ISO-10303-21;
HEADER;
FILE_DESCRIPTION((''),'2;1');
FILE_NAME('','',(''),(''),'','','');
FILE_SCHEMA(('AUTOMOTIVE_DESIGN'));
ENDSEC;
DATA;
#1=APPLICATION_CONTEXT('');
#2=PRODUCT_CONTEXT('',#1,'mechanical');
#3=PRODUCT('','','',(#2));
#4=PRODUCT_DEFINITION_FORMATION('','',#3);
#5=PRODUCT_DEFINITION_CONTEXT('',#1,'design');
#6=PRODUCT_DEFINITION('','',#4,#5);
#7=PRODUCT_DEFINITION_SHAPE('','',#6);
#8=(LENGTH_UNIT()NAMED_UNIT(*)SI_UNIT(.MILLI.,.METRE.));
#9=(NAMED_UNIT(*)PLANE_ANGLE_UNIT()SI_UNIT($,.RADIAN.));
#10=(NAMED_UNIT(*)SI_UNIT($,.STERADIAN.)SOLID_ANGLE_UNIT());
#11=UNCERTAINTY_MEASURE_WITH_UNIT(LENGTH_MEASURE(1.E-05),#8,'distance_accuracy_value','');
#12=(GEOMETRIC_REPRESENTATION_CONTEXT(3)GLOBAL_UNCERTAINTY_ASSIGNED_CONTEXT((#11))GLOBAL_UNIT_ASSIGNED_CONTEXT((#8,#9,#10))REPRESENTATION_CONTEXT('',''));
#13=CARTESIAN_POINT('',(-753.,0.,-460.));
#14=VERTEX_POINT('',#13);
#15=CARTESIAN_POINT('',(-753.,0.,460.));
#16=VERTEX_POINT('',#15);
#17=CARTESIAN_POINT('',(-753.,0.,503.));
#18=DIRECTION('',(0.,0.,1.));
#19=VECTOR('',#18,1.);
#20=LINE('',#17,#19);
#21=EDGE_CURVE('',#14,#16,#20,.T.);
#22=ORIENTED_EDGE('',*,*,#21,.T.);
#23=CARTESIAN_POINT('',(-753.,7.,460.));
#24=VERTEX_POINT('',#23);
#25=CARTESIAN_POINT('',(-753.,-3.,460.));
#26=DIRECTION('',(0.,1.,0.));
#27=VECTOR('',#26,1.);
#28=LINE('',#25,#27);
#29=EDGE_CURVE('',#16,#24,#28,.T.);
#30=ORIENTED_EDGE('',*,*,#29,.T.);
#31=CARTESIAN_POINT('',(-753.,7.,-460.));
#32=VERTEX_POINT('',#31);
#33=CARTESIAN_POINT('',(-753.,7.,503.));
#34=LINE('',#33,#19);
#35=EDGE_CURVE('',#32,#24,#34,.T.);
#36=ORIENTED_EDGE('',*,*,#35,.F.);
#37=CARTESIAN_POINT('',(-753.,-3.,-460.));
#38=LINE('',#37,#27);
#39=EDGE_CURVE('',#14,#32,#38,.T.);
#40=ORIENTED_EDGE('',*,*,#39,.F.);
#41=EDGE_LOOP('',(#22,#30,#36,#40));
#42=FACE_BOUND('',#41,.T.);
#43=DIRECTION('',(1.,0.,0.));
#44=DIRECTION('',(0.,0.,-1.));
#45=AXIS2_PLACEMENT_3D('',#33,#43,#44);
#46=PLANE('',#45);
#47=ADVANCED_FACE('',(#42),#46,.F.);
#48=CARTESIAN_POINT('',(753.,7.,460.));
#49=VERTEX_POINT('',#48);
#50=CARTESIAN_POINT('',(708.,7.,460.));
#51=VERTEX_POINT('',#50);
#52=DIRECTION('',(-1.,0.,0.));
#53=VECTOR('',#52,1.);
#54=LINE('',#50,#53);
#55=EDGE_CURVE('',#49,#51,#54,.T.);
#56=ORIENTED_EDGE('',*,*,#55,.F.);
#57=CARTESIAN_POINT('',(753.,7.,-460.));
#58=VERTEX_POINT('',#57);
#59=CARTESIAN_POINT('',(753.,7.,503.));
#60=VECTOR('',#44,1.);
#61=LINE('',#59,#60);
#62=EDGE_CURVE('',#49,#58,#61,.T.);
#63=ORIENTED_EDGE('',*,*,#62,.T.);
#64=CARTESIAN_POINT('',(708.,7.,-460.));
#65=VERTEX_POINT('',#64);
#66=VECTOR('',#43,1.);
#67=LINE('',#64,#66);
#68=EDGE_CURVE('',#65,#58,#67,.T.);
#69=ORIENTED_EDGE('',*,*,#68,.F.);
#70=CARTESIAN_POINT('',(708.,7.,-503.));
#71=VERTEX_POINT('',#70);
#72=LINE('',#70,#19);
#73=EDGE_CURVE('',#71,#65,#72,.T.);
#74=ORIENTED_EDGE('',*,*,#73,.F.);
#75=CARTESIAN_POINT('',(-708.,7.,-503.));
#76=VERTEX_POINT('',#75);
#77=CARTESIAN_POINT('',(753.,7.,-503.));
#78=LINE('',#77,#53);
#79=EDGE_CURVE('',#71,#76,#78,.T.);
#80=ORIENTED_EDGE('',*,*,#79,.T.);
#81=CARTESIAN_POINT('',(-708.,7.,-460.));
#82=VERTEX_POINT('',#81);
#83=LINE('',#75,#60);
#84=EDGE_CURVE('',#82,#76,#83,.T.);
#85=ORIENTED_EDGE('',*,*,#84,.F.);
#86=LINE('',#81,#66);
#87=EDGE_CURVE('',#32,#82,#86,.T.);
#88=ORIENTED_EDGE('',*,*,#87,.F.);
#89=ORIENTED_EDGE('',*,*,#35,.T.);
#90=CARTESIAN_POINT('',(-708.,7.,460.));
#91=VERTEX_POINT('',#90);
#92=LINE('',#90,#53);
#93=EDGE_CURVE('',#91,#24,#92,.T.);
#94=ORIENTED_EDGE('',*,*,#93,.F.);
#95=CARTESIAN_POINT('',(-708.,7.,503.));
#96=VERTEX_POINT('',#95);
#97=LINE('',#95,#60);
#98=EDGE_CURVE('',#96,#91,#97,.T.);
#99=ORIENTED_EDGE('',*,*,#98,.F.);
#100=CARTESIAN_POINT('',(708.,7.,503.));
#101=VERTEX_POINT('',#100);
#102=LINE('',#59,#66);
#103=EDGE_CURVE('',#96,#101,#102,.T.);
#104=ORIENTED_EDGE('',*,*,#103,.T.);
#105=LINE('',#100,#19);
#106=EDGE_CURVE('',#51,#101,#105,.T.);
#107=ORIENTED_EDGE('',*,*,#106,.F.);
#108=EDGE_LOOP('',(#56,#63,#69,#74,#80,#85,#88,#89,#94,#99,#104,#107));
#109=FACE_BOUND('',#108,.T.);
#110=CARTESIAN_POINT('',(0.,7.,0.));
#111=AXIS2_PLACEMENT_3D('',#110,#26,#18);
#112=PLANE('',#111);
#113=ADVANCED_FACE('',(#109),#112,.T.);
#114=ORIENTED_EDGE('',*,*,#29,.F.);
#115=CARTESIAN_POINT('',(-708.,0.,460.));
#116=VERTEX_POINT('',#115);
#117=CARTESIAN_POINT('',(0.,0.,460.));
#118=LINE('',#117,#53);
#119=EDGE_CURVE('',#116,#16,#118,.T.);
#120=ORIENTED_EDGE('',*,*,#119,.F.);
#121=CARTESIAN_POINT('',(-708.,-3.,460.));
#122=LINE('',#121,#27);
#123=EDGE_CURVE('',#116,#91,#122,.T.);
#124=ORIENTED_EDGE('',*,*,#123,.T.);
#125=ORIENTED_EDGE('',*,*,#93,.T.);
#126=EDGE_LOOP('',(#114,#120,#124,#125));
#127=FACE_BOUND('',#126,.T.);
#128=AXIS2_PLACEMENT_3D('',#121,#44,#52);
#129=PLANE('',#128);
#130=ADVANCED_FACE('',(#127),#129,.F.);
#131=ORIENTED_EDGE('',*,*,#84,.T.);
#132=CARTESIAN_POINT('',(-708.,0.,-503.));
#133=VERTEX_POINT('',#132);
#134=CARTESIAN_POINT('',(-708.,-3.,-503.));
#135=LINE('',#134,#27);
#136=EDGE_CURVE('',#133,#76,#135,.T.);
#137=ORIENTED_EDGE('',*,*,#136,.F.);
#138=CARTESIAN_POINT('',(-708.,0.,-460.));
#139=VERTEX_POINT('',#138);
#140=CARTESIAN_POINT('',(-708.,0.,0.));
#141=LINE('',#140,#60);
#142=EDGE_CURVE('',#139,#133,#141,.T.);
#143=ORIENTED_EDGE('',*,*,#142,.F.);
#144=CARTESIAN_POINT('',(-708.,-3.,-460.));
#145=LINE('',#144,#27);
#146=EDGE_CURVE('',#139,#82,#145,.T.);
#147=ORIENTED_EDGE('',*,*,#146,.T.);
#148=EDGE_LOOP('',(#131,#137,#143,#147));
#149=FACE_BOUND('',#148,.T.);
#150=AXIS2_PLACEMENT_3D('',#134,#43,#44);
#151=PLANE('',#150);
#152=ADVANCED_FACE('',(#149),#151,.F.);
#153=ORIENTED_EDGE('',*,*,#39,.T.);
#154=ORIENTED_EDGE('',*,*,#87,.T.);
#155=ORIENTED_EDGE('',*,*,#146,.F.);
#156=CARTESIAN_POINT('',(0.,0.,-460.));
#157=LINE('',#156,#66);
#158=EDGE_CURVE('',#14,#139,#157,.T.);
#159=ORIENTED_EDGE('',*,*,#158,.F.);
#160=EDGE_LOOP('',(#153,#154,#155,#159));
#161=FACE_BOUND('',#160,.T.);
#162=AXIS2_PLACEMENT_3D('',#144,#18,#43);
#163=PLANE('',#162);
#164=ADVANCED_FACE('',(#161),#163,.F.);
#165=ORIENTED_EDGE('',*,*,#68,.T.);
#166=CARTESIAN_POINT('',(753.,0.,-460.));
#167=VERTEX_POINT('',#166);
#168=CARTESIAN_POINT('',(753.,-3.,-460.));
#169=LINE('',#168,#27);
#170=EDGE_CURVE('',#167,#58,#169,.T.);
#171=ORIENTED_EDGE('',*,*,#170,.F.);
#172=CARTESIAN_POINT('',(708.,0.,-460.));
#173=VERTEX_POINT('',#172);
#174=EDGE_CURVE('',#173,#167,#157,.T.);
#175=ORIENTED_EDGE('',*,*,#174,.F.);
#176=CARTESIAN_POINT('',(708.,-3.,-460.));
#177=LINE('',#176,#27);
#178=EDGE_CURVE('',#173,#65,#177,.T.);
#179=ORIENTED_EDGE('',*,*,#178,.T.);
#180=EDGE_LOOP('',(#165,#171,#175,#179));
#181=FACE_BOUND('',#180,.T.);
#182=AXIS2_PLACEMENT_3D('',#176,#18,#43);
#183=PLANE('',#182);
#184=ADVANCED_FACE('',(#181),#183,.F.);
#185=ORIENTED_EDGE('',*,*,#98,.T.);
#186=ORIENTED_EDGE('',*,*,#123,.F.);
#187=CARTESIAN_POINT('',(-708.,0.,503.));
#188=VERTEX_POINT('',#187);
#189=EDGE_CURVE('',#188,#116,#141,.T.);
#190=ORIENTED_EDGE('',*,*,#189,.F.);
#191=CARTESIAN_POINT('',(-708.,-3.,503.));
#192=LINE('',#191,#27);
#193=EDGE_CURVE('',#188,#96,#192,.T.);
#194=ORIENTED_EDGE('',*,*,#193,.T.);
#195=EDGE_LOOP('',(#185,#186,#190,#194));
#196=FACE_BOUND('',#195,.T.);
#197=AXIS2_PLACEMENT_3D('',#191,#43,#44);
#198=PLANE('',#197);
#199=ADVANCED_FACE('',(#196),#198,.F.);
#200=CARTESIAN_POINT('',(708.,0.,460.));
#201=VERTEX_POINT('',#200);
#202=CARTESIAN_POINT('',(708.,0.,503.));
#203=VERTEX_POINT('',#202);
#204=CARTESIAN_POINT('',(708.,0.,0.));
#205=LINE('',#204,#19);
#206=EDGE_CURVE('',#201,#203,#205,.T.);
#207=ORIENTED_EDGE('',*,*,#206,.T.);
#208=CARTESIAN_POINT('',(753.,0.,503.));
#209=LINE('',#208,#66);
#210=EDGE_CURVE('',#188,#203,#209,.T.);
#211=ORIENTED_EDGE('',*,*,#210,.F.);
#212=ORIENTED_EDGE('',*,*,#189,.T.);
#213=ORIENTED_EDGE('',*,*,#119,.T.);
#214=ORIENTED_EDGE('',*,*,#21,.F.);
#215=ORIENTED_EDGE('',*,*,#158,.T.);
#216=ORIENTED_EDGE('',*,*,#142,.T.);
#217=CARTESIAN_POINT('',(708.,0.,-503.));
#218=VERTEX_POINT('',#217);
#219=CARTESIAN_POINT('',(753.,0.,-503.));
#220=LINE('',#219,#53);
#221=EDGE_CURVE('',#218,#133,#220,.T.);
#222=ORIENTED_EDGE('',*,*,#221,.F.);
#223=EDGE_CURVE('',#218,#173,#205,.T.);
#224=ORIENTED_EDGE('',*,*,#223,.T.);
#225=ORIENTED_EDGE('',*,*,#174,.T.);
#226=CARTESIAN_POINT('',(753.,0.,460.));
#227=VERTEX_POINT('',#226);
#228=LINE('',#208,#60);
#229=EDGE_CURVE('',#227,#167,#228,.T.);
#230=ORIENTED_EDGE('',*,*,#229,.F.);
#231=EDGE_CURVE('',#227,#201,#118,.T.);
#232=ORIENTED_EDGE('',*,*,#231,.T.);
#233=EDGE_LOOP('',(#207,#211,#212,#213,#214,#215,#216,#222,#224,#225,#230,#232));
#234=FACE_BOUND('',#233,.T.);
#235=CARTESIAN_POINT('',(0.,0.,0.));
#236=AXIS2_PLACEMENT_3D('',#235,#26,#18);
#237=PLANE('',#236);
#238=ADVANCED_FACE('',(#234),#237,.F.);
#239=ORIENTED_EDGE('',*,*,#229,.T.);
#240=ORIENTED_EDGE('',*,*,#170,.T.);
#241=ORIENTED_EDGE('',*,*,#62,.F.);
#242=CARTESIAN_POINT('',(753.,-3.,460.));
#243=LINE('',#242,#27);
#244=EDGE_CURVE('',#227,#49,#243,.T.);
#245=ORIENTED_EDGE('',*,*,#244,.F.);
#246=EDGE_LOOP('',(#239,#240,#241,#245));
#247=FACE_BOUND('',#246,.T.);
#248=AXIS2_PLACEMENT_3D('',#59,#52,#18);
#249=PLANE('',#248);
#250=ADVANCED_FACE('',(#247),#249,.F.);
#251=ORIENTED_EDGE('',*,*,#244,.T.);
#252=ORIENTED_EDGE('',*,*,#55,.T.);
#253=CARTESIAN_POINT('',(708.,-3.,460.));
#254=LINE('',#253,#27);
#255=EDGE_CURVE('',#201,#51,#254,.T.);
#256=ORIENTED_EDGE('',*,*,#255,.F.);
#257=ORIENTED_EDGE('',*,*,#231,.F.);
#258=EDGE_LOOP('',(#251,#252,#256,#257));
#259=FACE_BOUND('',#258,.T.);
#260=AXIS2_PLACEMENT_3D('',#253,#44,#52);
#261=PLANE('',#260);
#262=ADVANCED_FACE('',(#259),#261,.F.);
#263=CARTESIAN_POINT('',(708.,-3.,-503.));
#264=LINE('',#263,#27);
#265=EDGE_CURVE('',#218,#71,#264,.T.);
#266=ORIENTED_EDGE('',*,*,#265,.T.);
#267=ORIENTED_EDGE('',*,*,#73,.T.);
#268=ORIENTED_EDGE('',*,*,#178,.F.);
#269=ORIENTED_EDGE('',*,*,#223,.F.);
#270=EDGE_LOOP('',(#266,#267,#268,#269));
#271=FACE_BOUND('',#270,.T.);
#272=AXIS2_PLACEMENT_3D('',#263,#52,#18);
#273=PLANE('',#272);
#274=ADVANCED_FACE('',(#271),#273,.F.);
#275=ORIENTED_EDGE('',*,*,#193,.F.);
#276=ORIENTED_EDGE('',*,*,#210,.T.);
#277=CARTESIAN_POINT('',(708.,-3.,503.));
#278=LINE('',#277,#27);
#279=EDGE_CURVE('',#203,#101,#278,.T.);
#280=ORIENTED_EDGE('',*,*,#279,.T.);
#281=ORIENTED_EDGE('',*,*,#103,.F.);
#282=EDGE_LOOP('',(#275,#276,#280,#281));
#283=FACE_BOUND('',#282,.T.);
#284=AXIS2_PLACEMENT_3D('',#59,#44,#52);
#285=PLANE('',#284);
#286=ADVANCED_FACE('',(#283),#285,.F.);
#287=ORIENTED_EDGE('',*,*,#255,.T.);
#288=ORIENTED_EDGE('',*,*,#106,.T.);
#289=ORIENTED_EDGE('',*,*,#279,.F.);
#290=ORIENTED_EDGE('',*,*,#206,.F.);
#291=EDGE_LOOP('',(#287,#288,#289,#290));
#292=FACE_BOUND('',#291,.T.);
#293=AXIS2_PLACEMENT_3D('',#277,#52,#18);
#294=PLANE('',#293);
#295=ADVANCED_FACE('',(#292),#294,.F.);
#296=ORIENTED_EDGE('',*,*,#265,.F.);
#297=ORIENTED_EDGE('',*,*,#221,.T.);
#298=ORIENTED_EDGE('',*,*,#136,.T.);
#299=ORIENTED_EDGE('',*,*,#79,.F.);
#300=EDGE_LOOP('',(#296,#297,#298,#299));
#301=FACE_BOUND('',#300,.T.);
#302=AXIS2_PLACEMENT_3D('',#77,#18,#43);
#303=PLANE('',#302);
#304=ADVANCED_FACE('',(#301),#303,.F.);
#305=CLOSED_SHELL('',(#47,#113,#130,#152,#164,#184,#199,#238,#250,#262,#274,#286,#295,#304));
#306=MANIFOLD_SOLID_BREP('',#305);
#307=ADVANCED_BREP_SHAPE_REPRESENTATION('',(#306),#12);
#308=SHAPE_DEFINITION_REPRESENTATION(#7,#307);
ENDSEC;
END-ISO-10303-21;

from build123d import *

# Parameters (mm, degrees)
CROQUIS1_W              = 1506
CROQUIS1_H              = 1006
SALIENTE_EXTRUIR1_DEPTH = 7
CROQUIS2_W              = 45
CROQUIS2_H              = 43
CORTAR_EXTRUIR1_DEPTH   = 10


with BuildPart() as part:
    # Croquis1 → Saliente-Extruir1 (new body)
    with BuildSketch(Plane(origin=(0, 0, 0), x_dir=(1, 0, 0), z_dir=(0, 1, 0))):
        Rectangle(CROQUIS1_W, CROQUIS1_H)
    extrude(amount=SALIENTE_EXTRUIR1_DEPTH)

    # Croquis2 → Cortar-Extruir1 (cut)
    with BuildSketch(Plane(origin=(0, 7, 0), x_dir=(1, 0, 0), z_dir=(0, 1, 0))):
        with Locations((-730.5, 481.5)):
            Rectangle(CROQUIS2_W, CROQUIS2_H)
        with Locations((-730.5, -481.5)):
            Rectangle(CROQUIS2_W, CROQUIS2_H)
        with Locations((730.5, -481.5)):
            Rectangle(CROQUIS2_W, CROQUIS2_H)
        with Locations((730.5, 481.5)):
            Rectangle(CROQUIS2_W, CROQUIS2_H)
    extrude(amount=-CORTAR_EXTRUIR1_DEPTH, mode=Mode.SUBTRACT)


solid = part.part
